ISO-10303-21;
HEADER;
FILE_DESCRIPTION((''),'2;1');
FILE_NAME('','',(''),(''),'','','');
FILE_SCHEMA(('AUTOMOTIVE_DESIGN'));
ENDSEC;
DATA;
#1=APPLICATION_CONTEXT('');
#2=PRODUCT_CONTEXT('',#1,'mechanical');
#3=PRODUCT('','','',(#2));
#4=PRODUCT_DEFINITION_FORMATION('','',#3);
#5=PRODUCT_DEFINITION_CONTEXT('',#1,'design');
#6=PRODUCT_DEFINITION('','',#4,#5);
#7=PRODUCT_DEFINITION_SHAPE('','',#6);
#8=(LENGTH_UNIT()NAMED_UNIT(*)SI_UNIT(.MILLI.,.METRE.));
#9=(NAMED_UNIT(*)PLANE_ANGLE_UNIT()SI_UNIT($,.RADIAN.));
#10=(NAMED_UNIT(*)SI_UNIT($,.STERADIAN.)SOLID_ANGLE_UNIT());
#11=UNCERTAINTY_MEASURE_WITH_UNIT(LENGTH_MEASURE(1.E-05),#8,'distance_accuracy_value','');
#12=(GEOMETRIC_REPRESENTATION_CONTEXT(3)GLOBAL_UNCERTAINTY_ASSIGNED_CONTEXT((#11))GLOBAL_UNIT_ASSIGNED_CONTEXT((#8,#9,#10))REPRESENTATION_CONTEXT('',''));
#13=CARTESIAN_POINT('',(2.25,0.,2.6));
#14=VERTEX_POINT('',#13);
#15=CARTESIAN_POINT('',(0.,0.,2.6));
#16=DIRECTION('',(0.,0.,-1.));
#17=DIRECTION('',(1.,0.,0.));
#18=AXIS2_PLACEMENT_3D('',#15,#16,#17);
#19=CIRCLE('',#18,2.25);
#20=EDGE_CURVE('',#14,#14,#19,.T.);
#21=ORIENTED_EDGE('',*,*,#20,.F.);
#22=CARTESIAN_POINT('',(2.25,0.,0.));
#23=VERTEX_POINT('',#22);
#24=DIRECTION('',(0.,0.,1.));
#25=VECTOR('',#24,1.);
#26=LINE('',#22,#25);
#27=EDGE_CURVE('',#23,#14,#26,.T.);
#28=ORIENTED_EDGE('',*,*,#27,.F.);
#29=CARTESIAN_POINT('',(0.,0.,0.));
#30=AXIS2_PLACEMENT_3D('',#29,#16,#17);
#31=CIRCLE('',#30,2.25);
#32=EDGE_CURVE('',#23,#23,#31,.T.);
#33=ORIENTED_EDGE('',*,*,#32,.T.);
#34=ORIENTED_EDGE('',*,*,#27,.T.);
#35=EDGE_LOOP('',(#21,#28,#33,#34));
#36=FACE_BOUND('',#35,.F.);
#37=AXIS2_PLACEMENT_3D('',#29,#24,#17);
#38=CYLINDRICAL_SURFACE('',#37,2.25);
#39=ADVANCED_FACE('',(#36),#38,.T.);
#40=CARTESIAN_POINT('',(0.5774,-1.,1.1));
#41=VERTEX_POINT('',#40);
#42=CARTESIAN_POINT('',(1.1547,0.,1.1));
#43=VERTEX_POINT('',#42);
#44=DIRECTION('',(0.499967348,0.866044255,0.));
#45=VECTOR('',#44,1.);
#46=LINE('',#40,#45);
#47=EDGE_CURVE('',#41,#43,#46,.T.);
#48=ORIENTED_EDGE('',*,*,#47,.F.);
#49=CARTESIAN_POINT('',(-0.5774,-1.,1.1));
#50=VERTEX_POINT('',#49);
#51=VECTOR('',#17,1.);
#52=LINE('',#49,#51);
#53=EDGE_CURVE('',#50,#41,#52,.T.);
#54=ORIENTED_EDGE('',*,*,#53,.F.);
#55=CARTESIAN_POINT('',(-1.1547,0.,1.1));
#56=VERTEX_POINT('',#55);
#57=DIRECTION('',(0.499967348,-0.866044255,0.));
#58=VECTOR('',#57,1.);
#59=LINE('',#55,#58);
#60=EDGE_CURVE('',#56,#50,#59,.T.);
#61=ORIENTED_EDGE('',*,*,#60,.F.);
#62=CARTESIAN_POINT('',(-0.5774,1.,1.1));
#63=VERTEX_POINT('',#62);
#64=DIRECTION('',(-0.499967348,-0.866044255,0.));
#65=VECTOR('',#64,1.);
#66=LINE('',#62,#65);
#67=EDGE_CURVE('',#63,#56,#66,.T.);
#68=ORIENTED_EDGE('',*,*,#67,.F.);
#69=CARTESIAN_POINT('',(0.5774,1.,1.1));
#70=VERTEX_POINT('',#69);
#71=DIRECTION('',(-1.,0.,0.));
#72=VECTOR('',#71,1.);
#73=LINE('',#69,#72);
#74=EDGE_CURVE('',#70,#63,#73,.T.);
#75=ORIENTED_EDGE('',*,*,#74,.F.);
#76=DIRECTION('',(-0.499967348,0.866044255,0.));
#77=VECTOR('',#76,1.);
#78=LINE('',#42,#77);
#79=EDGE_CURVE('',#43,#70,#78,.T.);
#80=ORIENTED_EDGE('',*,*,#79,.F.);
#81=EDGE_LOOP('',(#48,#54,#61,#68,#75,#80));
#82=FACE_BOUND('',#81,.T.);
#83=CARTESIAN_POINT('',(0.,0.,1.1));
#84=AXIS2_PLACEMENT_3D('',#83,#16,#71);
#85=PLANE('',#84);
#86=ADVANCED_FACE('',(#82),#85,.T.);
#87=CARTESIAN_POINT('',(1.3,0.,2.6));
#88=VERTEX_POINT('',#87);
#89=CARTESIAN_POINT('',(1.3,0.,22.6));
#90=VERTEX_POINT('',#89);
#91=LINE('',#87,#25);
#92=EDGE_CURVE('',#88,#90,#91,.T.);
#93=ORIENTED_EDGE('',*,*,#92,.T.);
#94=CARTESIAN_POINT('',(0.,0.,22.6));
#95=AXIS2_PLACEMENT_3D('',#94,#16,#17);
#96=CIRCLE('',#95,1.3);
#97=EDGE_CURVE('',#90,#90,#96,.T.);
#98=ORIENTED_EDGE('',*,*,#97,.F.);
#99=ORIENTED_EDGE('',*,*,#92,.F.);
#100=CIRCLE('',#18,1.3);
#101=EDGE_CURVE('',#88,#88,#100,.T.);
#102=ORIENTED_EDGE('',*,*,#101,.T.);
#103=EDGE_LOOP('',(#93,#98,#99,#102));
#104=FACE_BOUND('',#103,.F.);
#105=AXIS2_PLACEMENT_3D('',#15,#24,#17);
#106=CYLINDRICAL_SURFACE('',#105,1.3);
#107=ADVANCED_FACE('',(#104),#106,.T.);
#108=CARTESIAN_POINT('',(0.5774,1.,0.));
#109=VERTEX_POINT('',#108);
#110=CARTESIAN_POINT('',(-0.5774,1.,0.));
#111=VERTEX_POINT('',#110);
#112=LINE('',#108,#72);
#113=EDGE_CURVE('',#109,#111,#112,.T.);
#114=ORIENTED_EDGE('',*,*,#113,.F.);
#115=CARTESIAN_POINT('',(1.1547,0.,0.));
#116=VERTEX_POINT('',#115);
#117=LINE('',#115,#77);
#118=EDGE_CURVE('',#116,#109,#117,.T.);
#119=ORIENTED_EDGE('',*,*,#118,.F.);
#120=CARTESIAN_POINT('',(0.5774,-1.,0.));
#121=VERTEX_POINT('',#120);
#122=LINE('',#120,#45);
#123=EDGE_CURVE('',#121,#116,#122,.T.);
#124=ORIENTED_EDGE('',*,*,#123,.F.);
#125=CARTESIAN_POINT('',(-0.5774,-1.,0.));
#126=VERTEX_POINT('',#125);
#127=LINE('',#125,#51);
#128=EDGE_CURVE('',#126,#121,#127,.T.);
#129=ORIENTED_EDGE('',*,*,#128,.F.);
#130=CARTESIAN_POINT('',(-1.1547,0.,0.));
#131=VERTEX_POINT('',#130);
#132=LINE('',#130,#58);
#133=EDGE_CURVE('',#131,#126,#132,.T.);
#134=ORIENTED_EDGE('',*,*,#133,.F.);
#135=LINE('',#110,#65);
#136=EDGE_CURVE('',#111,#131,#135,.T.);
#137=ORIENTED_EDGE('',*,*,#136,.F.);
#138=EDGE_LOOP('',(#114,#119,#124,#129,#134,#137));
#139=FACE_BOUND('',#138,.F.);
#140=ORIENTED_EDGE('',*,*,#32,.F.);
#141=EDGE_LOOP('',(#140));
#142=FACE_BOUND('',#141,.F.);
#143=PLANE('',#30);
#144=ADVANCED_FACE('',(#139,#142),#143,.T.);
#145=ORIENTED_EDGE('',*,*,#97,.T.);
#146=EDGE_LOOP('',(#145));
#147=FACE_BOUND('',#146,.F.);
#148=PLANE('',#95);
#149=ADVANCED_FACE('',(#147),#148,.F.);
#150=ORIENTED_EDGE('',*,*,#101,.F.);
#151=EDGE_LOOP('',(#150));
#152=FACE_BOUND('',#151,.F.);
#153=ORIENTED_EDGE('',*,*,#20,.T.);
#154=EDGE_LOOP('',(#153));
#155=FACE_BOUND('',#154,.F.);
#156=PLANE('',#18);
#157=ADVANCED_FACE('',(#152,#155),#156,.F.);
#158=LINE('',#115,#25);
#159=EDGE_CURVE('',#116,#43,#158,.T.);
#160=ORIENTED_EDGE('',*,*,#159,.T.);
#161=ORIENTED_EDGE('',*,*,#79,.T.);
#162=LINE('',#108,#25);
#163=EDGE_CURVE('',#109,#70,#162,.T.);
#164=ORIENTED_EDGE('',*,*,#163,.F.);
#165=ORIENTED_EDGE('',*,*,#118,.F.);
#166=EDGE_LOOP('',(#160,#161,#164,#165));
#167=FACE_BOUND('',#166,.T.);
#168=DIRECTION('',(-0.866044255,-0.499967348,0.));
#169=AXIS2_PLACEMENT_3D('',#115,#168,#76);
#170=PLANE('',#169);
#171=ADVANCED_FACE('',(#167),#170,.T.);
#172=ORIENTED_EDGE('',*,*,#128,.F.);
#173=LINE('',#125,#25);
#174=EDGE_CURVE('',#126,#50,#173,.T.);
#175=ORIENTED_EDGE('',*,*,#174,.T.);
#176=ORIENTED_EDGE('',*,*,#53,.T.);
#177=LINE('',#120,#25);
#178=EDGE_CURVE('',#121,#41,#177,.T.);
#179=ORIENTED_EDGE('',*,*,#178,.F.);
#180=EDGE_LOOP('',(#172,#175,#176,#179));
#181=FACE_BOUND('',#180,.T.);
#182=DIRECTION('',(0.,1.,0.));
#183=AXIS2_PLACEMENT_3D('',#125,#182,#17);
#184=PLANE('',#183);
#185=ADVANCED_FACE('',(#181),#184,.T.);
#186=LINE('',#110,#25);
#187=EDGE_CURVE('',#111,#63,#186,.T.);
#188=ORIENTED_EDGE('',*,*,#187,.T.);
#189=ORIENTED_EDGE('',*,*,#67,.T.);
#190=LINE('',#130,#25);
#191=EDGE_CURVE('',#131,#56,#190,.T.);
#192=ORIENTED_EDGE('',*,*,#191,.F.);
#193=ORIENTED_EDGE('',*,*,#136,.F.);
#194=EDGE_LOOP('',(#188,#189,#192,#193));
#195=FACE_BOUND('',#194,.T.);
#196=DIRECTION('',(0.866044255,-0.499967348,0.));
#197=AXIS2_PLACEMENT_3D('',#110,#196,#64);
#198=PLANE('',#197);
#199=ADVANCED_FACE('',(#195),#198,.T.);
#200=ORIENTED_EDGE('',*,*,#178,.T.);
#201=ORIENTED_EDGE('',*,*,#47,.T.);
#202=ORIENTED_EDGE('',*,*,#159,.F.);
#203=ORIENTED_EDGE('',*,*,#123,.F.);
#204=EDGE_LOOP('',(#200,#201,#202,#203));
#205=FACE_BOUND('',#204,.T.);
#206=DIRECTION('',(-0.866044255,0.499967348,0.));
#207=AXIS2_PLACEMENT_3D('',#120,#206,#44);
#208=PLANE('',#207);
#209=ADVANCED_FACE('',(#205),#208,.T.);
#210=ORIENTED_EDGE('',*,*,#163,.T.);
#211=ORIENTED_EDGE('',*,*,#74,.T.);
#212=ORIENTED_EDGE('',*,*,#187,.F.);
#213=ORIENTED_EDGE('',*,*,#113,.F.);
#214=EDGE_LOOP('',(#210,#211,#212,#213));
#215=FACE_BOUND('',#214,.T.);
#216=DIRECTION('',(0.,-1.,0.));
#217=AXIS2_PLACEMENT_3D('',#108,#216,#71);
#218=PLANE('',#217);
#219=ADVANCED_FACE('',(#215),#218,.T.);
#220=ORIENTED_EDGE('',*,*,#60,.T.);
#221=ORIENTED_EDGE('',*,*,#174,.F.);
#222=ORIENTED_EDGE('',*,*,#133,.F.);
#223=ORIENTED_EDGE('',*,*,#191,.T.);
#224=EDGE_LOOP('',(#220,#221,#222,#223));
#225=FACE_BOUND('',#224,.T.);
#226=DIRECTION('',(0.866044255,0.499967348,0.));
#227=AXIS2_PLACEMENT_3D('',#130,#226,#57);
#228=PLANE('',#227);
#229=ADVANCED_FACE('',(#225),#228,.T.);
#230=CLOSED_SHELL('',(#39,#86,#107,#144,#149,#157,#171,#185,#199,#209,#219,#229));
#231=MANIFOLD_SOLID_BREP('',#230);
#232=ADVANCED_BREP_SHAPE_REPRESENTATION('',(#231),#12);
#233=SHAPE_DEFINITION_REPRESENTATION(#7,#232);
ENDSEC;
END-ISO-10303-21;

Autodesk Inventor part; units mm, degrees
ref_plane "YZ Plane" through (0, 0, 0) normal (1, 0, 0) x (0, 1, 0)
ref_plane "XZ Plane" through (0, 0, 0) normal (0, 1, 0) x (-1, 0, 0)
ref_plane "XY Plane" through (0, 0, 0) normal (0, 0, 1) x (1, 0, 0)
sketch "Sketch1" plane through (0, 0, 0) normal (0, 1, 0) x (-1, 0, 0)
  line L0 (0, 0) -> (-2.25, 0)
  line L1 (-2.25, 0) -> (-2.25, 2.6)
  line L2 (-2.25, 2.6) -> (-1.3, 2.6)
  line L3 (-1.3, 2.6) -> (-1.3, 22.6)
  line L4 (-1.3, 22.6) -> (0, 22.6)
  line L5 (0, 22.6) -> (0, 0)
  dimension "ScrewLength" = 20
  dimension "Diameter" = 4.5
  dimension "Metric" = 2.6
  dimension "HeadLength" = 2.6
revolve "Revolution1" add sketch "Sketch1" angle 360 about axis through (0, 0, 22.6) along (0, 0, -1)
thread "Thread1" size "M2.6x0.45" class "6g" standard "ANSI Metric M Profile" full length
sketch "Sketch2" plane through (0, 0, 0) normal (0, 0, -1) x (-1, 0, 0)
  line L0 (0.5774, 1) -> (1.1547, 0)
  line L1 (1.1547, 0) -> (0.5774, -1)
  line L2 (0.5774, -1) -> (-0.5774, -1)
  line L3 (-0.5774, -1) -> (-1.1547, 0)
  line L4 (-1.1547, 0) -> (-0.5774, 1)
  line L5 (-0.5774, 1) -> (0.5774, 1)
  point P0 (0, 0)
  point P1 (0, 0)
  dimension "WidthAcrossFlat" = 2
extrude "Extrusion1" cut sketch "Sketch2" against normal blind 1.1
properties part number "FC-2620EB" material "Steel"
